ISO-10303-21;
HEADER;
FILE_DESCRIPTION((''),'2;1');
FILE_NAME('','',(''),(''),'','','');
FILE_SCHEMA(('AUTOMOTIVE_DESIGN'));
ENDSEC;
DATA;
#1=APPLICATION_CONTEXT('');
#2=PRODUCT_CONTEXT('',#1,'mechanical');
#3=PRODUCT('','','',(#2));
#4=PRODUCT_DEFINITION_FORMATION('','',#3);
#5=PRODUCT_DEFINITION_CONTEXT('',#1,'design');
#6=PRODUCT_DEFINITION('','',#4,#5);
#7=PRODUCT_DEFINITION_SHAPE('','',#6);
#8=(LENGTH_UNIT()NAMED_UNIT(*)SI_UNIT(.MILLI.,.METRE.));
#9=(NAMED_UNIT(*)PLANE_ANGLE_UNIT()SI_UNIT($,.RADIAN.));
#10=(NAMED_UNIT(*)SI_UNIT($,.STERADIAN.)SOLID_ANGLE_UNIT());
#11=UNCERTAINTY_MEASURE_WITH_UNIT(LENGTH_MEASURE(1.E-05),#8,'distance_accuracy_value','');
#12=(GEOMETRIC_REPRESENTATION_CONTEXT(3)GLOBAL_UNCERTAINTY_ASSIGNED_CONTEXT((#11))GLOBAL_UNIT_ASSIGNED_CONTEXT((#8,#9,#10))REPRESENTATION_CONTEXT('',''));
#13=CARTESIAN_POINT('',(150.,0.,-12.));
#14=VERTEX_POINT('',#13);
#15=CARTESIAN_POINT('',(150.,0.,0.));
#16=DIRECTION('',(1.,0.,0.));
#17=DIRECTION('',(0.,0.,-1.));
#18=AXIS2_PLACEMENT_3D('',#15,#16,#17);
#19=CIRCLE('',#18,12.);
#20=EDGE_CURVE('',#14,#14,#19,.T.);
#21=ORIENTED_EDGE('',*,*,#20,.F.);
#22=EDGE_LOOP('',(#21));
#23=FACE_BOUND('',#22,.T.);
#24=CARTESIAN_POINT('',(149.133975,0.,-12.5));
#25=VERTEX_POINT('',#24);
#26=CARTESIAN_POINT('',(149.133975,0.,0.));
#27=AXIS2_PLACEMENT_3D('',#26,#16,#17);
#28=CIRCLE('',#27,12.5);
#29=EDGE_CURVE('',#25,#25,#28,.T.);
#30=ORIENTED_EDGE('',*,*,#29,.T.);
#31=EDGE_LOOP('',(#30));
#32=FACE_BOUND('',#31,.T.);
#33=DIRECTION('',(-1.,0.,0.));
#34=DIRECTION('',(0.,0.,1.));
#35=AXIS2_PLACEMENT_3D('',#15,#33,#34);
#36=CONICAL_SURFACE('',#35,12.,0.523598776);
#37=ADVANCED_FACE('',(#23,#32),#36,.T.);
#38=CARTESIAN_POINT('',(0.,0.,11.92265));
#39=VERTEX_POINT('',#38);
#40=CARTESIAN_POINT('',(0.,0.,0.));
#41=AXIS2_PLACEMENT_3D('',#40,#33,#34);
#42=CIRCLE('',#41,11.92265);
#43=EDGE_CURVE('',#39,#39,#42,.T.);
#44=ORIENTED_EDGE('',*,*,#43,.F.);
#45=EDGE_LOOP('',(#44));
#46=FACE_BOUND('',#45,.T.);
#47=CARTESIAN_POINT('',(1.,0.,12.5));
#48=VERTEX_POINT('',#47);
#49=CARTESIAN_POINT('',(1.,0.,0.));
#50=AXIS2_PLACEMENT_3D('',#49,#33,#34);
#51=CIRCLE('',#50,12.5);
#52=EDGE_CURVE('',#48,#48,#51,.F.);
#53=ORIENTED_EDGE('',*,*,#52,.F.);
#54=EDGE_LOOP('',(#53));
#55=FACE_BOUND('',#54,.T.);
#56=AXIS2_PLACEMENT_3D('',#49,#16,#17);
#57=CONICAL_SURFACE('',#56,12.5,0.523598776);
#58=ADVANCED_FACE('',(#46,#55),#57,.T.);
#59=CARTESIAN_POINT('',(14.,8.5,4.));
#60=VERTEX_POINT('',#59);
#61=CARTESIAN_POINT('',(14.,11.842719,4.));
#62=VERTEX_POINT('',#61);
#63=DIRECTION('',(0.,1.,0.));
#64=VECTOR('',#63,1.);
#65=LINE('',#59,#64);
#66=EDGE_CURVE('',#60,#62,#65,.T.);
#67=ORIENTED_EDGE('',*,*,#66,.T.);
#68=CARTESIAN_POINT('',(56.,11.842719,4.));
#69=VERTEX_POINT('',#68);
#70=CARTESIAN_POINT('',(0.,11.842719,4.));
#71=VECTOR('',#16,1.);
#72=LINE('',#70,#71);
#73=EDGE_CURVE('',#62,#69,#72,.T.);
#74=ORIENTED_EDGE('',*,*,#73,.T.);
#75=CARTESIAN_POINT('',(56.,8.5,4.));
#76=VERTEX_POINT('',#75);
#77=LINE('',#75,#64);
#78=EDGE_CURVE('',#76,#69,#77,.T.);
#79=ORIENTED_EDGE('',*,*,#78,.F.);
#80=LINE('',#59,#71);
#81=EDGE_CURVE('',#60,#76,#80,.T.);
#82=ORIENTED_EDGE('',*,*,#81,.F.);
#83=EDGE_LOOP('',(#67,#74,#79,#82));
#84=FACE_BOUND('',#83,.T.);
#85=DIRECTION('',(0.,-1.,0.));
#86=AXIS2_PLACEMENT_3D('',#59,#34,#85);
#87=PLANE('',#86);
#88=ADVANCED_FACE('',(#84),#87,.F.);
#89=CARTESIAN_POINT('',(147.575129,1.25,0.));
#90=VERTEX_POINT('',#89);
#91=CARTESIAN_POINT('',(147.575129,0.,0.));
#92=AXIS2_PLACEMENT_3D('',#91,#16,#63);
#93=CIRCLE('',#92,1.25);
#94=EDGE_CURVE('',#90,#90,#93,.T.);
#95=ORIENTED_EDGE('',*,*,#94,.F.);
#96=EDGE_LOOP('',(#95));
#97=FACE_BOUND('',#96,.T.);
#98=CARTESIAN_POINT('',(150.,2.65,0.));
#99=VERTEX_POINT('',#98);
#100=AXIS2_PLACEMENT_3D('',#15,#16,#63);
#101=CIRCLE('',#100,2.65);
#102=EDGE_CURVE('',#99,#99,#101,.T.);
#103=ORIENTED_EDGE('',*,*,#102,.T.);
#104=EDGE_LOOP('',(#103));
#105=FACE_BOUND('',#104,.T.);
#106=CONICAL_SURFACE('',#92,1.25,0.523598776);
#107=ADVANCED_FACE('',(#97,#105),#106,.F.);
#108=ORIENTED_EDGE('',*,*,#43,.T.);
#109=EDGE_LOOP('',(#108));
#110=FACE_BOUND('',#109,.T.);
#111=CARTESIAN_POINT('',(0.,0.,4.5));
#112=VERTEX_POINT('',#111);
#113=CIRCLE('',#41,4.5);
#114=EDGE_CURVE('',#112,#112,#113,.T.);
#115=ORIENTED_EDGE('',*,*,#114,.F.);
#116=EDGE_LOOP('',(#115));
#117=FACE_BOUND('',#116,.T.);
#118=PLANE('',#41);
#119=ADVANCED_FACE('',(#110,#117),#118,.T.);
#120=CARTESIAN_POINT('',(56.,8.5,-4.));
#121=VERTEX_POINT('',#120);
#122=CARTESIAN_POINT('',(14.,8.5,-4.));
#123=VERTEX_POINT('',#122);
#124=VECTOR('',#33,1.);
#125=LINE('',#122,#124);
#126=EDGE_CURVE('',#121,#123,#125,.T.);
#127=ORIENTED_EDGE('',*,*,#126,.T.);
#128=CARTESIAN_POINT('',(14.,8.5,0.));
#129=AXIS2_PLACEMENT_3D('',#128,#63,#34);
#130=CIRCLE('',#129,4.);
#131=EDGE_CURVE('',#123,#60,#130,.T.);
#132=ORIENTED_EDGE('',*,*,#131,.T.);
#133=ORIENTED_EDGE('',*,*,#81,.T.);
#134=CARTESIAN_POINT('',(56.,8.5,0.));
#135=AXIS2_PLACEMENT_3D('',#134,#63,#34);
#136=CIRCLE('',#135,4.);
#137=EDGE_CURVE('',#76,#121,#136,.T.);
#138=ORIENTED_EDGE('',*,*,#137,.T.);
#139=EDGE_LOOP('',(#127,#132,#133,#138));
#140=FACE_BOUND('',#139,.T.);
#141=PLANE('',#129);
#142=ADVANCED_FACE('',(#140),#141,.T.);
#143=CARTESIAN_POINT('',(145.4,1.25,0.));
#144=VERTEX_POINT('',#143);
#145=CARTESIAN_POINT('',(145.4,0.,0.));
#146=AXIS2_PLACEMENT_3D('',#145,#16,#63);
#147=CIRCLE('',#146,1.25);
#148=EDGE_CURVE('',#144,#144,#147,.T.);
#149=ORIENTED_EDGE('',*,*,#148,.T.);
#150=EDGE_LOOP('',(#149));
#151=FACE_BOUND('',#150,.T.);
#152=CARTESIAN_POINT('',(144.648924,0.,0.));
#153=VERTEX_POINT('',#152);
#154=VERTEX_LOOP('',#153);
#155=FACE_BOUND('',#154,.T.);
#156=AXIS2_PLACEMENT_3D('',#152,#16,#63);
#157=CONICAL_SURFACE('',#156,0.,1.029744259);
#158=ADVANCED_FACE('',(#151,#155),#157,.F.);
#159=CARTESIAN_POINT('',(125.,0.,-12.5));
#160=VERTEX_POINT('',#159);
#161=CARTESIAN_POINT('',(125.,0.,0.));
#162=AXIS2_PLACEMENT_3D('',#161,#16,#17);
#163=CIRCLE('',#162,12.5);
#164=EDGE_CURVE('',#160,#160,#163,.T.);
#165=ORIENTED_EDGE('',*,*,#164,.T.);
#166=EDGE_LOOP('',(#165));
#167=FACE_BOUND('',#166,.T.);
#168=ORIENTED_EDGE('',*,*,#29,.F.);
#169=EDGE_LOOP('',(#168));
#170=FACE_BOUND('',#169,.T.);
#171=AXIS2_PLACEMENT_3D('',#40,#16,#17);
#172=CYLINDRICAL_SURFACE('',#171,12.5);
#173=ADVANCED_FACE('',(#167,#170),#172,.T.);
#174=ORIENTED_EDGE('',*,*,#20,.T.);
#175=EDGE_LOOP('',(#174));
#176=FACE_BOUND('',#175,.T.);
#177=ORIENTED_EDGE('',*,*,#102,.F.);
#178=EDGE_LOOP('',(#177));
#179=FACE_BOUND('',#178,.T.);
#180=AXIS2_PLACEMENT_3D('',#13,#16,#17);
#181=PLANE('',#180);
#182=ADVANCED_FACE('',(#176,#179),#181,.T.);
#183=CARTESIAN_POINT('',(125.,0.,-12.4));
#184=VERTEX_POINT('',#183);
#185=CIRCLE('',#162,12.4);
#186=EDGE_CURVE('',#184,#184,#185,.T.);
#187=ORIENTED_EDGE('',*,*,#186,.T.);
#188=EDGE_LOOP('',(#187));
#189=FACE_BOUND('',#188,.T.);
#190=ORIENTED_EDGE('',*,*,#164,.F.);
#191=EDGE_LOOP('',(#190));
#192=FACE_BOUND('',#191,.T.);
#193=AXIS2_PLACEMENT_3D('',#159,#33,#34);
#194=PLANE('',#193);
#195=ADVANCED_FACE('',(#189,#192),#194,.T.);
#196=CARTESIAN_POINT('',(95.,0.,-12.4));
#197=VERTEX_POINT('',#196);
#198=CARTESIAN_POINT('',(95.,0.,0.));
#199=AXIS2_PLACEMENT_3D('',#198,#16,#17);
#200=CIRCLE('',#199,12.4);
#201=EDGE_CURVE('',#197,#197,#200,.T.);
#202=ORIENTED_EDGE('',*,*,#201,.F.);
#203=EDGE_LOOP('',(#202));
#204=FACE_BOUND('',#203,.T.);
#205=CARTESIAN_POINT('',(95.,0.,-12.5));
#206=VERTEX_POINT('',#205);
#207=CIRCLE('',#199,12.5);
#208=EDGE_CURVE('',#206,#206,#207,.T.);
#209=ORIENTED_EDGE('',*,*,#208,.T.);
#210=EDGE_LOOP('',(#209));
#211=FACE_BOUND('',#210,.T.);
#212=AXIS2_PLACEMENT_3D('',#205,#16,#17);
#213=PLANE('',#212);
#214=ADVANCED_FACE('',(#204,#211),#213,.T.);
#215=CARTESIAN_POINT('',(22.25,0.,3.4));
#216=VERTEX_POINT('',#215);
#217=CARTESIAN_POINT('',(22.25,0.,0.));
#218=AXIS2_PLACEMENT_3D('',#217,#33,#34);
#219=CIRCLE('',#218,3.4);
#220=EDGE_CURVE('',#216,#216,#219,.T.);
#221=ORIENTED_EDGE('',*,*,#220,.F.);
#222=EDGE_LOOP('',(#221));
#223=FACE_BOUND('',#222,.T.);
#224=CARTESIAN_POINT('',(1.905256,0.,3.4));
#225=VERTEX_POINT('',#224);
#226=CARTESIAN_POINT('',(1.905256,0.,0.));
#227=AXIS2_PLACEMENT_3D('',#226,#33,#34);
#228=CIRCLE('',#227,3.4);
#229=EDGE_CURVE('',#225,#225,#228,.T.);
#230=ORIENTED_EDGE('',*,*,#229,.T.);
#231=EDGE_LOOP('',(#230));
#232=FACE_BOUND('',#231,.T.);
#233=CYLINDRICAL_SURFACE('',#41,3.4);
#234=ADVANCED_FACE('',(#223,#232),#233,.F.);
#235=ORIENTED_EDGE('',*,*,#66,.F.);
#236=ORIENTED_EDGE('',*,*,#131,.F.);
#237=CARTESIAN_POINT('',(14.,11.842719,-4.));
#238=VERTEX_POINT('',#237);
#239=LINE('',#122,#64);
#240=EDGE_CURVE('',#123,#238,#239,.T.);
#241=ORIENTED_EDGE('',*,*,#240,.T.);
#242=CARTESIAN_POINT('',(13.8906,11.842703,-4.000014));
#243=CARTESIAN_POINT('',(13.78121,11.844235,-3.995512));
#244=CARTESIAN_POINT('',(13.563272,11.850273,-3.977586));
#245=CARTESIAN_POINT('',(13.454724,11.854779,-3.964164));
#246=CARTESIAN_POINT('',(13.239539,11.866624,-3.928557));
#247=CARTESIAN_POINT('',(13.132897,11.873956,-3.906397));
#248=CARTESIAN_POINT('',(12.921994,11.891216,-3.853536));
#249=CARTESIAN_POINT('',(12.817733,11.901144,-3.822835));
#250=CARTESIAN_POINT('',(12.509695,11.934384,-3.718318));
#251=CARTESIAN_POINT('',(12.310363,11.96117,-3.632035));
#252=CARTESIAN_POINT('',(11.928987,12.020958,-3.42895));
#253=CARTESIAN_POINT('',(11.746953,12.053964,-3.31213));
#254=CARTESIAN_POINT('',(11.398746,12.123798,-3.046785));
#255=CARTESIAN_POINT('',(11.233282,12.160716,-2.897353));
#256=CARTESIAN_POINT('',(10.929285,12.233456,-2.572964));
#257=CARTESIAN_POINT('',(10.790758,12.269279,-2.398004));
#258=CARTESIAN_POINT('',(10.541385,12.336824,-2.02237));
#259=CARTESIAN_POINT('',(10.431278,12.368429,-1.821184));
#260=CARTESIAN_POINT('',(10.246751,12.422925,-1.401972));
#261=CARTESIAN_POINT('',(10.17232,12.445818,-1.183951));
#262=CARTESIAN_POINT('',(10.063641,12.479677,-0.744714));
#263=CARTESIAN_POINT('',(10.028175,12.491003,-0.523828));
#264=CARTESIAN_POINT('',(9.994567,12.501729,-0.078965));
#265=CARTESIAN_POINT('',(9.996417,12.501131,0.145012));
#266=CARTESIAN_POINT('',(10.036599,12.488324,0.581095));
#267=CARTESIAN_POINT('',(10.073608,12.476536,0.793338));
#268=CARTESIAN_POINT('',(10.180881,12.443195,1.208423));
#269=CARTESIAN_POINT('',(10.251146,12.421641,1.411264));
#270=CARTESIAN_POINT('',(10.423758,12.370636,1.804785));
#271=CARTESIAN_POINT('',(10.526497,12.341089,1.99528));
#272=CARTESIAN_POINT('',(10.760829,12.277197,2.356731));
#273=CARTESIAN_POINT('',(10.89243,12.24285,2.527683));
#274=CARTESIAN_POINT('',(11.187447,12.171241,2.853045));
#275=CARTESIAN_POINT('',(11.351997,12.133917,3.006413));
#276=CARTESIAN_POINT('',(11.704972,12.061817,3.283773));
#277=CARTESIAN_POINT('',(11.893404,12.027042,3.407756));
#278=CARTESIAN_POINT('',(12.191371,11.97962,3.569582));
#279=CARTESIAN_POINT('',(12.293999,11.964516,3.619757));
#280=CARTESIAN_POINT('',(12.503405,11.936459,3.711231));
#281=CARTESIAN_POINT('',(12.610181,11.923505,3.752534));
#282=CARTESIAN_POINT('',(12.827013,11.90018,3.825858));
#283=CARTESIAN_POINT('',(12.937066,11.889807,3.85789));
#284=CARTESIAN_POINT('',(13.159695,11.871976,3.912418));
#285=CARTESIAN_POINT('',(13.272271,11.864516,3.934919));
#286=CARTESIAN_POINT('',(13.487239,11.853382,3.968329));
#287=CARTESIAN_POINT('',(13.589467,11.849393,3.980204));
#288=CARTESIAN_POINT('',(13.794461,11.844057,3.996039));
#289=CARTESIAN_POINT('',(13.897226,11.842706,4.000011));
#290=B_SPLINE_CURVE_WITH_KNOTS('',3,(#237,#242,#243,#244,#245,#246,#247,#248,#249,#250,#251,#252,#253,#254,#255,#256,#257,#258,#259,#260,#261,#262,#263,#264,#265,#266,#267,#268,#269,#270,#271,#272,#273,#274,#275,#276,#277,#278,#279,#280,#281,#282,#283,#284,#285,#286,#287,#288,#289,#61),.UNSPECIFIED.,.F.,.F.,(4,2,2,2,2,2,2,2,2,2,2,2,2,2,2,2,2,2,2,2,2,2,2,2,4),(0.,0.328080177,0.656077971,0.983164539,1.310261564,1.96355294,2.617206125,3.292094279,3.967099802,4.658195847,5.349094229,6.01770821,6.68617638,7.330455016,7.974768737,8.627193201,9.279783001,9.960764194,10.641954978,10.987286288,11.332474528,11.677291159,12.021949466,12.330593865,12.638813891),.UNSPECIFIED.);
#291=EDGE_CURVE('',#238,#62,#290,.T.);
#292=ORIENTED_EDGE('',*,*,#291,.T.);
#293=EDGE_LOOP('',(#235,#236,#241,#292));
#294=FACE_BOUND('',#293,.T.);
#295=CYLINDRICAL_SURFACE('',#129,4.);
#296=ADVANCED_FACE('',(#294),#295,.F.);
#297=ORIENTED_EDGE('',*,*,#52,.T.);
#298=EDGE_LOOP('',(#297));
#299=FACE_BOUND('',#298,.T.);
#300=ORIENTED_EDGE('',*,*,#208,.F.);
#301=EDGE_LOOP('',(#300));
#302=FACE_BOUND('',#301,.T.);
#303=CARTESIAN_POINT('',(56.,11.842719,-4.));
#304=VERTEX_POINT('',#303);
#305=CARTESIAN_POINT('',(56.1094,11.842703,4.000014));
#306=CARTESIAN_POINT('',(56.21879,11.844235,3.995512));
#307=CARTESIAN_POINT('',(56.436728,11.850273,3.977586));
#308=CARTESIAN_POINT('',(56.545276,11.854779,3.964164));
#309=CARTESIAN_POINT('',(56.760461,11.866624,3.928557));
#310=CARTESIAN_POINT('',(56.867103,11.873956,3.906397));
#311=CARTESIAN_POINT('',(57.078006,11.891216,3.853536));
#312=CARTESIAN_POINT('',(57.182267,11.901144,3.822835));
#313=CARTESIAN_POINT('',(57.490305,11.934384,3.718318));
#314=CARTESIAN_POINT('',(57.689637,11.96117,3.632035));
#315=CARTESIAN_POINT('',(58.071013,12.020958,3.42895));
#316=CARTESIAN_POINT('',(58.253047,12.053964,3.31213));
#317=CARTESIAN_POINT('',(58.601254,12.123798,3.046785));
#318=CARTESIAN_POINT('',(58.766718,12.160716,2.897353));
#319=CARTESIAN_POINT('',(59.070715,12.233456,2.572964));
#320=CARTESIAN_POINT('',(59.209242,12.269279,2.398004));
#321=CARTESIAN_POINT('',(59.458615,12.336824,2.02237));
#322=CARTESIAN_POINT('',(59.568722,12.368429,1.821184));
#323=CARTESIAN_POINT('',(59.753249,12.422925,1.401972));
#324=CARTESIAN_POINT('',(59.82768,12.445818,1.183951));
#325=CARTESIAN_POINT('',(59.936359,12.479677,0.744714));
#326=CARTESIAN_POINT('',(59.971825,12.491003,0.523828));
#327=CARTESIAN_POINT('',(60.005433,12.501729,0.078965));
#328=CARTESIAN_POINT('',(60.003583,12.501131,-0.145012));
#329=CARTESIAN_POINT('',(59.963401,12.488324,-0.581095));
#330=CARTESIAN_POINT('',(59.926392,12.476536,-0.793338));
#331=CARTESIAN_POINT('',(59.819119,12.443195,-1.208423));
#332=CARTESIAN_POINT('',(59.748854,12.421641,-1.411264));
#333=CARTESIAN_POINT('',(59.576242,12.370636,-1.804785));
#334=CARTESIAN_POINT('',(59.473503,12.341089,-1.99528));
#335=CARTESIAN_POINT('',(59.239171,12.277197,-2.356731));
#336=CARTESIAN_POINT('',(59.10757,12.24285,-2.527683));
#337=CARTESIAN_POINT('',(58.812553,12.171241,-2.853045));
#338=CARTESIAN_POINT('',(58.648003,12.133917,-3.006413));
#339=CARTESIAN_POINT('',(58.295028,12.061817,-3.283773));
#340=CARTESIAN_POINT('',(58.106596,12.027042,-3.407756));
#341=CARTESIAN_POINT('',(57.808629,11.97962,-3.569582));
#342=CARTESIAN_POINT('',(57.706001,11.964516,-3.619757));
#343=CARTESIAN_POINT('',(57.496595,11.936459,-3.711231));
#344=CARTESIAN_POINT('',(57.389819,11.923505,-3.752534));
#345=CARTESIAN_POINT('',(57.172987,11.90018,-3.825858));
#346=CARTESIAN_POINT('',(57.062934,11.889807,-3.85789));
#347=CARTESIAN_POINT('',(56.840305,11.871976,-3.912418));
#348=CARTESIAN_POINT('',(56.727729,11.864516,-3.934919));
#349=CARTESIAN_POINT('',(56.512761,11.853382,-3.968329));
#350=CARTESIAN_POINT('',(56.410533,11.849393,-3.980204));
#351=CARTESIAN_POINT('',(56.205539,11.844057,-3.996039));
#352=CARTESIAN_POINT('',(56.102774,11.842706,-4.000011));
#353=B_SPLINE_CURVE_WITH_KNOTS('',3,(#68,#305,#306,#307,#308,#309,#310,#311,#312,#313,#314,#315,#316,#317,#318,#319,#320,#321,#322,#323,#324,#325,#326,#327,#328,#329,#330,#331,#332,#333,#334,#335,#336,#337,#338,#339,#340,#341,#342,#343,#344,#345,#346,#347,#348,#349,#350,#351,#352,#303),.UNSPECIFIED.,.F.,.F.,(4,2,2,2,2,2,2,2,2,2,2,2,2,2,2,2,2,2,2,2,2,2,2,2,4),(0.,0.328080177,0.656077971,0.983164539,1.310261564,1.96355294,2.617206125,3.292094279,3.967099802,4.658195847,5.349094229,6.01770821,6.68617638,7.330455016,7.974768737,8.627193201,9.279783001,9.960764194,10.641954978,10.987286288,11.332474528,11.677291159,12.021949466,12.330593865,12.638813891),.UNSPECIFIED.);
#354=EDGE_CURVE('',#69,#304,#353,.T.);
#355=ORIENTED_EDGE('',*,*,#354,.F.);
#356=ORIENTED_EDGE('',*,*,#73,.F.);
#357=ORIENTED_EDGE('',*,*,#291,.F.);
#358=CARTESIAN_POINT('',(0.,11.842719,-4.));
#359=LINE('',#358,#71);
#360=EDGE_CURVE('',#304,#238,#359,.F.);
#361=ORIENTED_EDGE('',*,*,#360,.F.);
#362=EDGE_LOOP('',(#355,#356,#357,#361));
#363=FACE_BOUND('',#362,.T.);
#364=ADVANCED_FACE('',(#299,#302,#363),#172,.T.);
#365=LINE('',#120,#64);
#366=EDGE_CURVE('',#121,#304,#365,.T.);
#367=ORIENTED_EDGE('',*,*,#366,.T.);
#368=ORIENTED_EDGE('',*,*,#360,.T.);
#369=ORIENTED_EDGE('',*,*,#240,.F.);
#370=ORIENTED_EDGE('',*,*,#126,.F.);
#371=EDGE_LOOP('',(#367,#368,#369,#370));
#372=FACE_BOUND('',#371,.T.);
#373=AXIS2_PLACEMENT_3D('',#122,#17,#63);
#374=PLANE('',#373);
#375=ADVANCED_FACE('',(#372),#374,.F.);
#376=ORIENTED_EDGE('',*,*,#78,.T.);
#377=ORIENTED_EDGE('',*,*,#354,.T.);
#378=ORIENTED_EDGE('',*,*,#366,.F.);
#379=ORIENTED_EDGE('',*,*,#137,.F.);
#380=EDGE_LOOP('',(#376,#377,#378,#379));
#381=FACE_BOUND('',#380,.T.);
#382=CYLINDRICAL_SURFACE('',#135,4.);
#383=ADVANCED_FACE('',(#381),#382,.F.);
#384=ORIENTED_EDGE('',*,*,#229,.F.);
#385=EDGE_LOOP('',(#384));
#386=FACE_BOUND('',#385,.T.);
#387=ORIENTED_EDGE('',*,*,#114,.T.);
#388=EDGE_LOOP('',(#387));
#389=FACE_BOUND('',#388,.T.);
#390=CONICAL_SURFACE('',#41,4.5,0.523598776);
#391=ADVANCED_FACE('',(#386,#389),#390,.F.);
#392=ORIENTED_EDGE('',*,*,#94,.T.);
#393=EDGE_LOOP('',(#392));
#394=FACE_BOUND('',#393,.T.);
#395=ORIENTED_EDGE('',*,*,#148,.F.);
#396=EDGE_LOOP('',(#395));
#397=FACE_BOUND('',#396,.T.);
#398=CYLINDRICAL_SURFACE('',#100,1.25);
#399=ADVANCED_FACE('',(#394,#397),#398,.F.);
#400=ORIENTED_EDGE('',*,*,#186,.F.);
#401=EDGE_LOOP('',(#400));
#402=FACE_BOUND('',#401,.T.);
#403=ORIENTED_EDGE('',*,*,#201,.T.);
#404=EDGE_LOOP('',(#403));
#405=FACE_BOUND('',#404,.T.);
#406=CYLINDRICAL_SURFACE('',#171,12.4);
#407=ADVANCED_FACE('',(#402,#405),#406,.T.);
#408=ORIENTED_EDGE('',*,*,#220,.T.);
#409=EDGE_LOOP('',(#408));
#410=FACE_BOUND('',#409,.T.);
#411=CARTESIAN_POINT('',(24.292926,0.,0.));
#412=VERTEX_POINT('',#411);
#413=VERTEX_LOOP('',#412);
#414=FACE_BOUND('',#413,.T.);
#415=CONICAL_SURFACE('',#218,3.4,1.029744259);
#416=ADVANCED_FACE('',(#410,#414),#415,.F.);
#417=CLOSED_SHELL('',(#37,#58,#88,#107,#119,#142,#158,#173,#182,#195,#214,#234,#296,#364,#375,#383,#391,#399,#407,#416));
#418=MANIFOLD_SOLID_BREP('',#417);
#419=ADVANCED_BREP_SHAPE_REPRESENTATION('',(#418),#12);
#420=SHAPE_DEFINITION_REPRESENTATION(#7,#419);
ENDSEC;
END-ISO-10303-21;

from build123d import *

# Parameters (mm, degrees)
M8_GEWINDEBOHRUNG1_D            = 6.8
M8_GEWINDEBOHRUNG1_DEPTH        = 22.25
M8_GEWINDEBOHRUNG1_CSINK_D      = 9
M8_GEWINDEBOHRUNG1_CSINK_ANGLE  = 60
M8_GEWINDEBOHRUNG1_TIP          = 2.042926105
FASE1_SIZE                      = 1
FASE1_SIZE2                     = 0.577350269
SCHNITT_LINEAR_AUSTRAGEN1_DEPTH = 4


with BuildPart() as part:
    # Skizze1 → Rotation1 (revolve)
    with BuildSketch(Plane(origin=(0, 0, 0), x_dir=(1, 0, 0), z_dir=(0, 1, 0))):
        Polygon((0, 0), (0, 12.5), (95, 12.5), (95, 12.4), (125, 12.4), (125, 12.5), (149.133974596, 12.5), (150, 12), (150, 0), align=None)
    revolve(axis=Axis((0, 0, 0), (-1, 0, 0)))

    # Skizze3 → Schnitt-Rotation1 (revolve, cut)
    with BuildSketch(Plane(origin=(150, 0, 0), x_dir=(0, 0, -1), z_dir=(0, -1, 0)), mode=Mode.PRIVATE) as schnitt_rotation1_sk:
        Polygon((0, -5.351075774), (1.25, -4.6), (1.25, -2.424871131), (2.65, 0), (0, 0), align=None)
    revolve(schnitt_rotation1_sk.sketch.rotate(Axis((150, 0, 0), (-1, 0, 0)), 270), axis=Axis((150, 0, 0), (-1, 0, 0)), mode=Mode.SUBTRACT)

    # M8 Gewindebohrung1
    with Locations(Plane.ZY):
        with Locations((0, 0)):
            CounterSinkHole(M8_GEWINDEBOHRUNG1_D / 2, M8_GEWINDEBOHRUNG1_CSINK_D / 2, depth=M8_GEWINDEBOHRUNG1_DEPTH, counter_sink_angle=M8_GEWINDEBOHRUNG1_CSINK_ANGLE)
            with Locations((0, 0, -(M8_GEWINDEBOHRUNG1_DEPTH + M8_GEWINDEBOHRUNG1_TIP / 2))):  # 118° drill point
                Cone(0, M8_GEWINDEBOHRUNG1_D / 2, M8_GEWINDEBOHRUNG1_TIP, mode=Mode.SUBTRACT)

    # Fase1
    fase1_edges = [part.edges().sort_by_distance(p)[0] for p in [
        (0, 0, 12.5),
    ]]
    fase1_side = [part.faces().sort_by_distance(p)[0] for p in [
        (47.5, 0, 12.5),
    ]]
    chamfer(fase1_edges, length=FASE1_SIZE, length2=FASE1_SIZE2, reference=fase1_side[0])

    # Skizze2 → Schnitt-Linear austragen1 (cut)
    with BuildSketch(Plane(origin=(0, 12.5, 4.921019115), x_dir=(1, 0, 0), z_dir=(0, 1, 0))):
        with BuildLine():
            Line((14, 8.921019115), (56, 8.921019115))
            ThreePointArc((56, 8.921019115), (60, 4.921019115), (56, 0.921019115))
            Line((56, 0.921019115), (14, 0.921019115))
            ThreePointArc((14, 0.921019115), (10, 4.921019115), (14, 8.921019115))
        make_face()
    extrude(amount=-SCHNITT_LINEAR_AUSTRAGEN1_DEPTH, mode=Mode.SUBTRACT)


solid = part.part
